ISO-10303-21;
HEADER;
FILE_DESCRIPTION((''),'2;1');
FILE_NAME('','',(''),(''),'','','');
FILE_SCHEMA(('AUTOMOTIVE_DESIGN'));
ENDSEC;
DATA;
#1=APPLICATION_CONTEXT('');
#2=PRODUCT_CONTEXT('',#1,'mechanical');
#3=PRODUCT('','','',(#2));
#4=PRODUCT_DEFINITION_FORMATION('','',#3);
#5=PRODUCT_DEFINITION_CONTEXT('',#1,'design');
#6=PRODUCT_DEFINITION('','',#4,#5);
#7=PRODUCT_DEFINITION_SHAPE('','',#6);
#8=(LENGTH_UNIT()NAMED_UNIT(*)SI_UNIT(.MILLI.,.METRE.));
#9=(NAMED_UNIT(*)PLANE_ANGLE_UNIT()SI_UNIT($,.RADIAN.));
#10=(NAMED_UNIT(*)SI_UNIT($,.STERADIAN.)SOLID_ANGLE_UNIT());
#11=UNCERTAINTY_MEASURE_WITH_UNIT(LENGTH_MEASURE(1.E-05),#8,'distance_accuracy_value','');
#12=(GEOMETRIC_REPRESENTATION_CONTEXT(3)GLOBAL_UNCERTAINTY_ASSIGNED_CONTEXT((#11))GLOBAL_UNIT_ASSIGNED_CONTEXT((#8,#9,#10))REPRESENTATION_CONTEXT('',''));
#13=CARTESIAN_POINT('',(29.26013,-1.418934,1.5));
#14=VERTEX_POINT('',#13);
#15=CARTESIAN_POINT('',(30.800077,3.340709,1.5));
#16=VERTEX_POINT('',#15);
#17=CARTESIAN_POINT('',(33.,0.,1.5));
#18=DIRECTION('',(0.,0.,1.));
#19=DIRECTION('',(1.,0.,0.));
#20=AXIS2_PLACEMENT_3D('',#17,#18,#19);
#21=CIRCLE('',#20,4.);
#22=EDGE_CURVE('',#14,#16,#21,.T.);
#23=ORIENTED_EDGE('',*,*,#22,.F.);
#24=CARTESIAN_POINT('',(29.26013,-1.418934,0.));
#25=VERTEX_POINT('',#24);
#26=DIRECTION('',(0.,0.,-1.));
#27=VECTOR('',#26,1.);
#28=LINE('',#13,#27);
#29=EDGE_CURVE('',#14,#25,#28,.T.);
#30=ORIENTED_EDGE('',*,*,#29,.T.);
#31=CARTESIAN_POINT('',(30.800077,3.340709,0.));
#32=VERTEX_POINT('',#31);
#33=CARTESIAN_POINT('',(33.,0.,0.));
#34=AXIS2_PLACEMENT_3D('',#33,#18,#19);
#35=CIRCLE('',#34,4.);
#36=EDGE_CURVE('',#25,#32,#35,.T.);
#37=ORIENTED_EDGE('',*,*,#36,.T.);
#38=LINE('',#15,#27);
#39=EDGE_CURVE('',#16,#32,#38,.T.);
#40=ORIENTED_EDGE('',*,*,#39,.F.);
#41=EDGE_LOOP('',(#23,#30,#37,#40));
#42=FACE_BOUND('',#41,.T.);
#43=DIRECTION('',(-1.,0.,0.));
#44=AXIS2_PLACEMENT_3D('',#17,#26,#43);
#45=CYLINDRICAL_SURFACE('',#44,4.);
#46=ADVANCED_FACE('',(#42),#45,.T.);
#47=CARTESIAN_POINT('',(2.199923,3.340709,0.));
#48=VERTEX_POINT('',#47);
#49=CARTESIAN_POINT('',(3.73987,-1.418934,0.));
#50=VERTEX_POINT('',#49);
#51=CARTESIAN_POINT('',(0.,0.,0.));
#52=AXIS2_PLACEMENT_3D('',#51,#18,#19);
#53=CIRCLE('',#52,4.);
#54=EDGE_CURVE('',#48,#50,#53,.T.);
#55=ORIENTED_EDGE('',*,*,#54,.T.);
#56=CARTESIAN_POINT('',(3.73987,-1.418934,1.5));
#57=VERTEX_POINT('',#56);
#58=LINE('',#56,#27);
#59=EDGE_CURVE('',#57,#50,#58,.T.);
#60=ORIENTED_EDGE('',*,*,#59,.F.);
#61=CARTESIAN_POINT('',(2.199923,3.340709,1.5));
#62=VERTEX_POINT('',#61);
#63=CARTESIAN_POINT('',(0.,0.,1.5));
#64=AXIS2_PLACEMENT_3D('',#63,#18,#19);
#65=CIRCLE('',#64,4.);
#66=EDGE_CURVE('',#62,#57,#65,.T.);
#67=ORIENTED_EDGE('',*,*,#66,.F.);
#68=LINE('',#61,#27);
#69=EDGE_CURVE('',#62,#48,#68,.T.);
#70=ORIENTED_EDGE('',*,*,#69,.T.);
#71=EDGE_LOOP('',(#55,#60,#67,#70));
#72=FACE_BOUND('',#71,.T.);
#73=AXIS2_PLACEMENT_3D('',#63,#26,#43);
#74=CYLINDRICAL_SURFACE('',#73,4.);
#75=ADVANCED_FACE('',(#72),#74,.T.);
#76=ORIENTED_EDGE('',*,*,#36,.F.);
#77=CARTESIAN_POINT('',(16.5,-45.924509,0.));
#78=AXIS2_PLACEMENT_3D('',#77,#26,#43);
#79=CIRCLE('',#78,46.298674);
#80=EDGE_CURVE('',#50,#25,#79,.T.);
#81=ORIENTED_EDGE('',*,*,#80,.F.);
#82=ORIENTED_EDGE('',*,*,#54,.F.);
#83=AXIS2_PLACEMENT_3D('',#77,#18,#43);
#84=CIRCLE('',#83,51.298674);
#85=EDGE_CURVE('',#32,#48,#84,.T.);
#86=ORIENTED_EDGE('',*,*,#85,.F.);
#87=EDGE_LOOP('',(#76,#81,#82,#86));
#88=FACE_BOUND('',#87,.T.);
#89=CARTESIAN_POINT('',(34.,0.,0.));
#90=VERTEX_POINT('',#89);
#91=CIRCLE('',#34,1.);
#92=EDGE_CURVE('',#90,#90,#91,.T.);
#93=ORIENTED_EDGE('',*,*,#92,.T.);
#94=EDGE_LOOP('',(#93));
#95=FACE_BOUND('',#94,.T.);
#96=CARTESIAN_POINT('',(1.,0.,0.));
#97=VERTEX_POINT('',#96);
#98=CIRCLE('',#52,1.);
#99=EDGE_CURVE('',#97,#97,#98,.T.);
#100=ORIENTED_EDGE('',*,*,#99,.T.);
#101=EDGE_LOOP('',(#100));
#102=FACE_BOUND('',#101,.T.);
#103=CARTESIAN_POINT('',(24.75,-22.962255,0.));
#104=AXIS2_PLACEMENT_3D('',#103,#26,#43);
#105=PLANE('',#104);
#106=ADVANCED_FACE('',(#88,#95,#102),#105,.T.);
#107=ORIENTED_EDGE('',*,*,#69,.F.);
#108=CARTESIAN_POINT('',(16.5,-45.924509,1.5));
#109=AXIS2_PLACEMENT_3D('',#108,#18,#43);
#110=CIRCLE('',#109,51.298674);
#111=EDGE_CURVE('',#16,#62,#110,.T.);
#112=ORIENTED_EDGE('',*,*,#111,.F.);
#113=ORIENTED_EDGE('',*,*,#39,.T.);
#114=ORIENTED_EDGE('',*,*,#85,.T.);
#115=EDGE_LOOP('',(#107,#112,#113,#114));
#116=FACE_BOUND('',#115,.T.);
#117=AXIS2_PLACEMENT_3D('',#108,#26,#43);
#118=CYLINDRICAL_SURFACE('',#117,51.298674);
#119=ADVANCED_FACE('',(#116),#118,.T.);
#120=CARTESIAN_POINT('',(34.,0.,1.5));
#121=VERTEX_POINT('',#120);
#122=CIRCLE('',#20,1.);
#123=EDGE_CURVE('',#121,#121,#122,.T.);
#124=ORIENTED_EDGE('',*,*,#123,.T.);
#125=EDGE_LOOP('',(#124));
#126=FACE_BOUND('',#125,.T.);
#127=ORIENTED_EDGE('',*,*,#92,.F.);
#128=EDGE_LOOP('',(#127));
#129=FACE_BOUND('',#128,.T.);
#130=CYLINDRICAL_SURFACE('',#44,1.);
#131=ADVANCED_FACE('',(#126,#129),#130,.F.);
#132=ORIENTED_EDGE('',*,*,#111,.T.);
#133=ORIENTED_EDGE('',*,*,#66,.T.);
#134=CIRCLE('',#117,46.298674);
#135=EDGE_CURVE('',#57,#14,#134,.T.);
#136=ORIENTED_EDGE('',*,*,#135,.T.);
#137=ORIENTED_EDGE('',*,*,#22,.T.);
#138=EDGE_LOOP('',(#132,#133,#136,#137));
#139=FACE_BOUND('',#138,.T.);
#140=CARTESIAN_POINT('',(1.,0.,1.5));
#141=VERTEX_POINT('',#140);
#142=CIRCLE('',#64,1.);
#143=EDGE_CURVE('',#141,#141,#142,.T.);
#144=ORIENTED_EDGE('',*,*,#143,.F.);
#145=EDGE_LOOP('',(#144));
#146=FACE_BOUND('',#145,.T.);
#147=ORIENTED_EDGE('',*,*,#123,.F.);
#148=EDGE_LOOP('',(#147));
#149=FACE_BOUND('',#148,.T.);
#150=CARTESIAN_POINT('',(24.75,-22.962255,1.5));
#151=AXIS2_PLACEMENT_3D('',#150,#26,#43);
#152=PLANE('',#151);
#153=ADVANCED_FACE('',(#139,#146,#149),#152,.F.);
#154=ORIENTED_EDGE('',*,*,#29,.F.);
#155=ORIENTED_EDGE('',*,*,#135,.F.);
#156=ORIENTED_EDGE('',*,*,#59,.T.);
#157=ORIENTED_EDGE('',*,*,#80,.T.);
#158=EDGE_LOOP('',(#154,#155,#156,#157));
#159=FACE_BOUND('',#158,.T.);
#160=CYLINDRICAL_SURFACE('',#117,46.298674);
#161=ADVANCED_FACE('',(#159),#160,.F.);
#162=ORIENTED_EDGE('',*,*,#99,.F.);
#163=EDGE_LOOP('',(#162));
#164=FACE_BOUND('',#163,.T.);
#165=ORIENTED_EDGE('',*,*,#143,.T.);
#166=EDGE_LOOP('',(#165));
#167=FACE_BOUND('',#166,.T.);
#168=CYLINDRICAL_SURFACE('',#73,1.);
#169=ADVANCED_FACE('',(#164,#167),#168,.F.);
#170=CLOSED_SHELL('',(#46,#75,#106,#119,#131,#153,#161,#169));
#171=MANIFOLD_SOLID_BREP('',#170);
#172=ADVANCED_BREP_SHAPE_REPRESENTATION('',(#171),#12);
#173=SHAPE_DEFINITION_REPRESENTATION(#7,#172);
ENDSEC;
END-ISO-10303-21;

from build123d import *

# Parameters (mm, degrees)
SKETCH1_R           = 1
BOSS_EXTRUDE1_DEPTH = 1.5


with BuildPart() as part:
    # Sketch1 → Boss-Extrude1 (new body)
    with BuildSketch(Plane.XY):
        with BuildLine():
            ThreePointArc((2.199923484, 3.340709006), (-3.805763528, -1.231326103), (3.739869974, -1.418933606))
            ThreePointArc((3.739869974, -1.418933606), (16.5, 0.374164402), (29.260130026, -1.418933606))
            ThreePointArc((29.260130026, -1.418933606), (36.805763528, -1.231326103), (30.800076516, 3.340709006))
            ThreePointArc((30.800076516, 3.340709006), (16.5, 5.374164402), (2.199923484, 3.340709006))
        make_face()
        Circle(SKETCH1_R, mode=Mode.SUBTRACT)
        with Locations((33, 0)):
            Circle(SKETCH1_R, mode=Mode.SUBTRACT)
    extrude(amount=BOSS_EXTRUDE1_DEPTH)


solid = part.part
